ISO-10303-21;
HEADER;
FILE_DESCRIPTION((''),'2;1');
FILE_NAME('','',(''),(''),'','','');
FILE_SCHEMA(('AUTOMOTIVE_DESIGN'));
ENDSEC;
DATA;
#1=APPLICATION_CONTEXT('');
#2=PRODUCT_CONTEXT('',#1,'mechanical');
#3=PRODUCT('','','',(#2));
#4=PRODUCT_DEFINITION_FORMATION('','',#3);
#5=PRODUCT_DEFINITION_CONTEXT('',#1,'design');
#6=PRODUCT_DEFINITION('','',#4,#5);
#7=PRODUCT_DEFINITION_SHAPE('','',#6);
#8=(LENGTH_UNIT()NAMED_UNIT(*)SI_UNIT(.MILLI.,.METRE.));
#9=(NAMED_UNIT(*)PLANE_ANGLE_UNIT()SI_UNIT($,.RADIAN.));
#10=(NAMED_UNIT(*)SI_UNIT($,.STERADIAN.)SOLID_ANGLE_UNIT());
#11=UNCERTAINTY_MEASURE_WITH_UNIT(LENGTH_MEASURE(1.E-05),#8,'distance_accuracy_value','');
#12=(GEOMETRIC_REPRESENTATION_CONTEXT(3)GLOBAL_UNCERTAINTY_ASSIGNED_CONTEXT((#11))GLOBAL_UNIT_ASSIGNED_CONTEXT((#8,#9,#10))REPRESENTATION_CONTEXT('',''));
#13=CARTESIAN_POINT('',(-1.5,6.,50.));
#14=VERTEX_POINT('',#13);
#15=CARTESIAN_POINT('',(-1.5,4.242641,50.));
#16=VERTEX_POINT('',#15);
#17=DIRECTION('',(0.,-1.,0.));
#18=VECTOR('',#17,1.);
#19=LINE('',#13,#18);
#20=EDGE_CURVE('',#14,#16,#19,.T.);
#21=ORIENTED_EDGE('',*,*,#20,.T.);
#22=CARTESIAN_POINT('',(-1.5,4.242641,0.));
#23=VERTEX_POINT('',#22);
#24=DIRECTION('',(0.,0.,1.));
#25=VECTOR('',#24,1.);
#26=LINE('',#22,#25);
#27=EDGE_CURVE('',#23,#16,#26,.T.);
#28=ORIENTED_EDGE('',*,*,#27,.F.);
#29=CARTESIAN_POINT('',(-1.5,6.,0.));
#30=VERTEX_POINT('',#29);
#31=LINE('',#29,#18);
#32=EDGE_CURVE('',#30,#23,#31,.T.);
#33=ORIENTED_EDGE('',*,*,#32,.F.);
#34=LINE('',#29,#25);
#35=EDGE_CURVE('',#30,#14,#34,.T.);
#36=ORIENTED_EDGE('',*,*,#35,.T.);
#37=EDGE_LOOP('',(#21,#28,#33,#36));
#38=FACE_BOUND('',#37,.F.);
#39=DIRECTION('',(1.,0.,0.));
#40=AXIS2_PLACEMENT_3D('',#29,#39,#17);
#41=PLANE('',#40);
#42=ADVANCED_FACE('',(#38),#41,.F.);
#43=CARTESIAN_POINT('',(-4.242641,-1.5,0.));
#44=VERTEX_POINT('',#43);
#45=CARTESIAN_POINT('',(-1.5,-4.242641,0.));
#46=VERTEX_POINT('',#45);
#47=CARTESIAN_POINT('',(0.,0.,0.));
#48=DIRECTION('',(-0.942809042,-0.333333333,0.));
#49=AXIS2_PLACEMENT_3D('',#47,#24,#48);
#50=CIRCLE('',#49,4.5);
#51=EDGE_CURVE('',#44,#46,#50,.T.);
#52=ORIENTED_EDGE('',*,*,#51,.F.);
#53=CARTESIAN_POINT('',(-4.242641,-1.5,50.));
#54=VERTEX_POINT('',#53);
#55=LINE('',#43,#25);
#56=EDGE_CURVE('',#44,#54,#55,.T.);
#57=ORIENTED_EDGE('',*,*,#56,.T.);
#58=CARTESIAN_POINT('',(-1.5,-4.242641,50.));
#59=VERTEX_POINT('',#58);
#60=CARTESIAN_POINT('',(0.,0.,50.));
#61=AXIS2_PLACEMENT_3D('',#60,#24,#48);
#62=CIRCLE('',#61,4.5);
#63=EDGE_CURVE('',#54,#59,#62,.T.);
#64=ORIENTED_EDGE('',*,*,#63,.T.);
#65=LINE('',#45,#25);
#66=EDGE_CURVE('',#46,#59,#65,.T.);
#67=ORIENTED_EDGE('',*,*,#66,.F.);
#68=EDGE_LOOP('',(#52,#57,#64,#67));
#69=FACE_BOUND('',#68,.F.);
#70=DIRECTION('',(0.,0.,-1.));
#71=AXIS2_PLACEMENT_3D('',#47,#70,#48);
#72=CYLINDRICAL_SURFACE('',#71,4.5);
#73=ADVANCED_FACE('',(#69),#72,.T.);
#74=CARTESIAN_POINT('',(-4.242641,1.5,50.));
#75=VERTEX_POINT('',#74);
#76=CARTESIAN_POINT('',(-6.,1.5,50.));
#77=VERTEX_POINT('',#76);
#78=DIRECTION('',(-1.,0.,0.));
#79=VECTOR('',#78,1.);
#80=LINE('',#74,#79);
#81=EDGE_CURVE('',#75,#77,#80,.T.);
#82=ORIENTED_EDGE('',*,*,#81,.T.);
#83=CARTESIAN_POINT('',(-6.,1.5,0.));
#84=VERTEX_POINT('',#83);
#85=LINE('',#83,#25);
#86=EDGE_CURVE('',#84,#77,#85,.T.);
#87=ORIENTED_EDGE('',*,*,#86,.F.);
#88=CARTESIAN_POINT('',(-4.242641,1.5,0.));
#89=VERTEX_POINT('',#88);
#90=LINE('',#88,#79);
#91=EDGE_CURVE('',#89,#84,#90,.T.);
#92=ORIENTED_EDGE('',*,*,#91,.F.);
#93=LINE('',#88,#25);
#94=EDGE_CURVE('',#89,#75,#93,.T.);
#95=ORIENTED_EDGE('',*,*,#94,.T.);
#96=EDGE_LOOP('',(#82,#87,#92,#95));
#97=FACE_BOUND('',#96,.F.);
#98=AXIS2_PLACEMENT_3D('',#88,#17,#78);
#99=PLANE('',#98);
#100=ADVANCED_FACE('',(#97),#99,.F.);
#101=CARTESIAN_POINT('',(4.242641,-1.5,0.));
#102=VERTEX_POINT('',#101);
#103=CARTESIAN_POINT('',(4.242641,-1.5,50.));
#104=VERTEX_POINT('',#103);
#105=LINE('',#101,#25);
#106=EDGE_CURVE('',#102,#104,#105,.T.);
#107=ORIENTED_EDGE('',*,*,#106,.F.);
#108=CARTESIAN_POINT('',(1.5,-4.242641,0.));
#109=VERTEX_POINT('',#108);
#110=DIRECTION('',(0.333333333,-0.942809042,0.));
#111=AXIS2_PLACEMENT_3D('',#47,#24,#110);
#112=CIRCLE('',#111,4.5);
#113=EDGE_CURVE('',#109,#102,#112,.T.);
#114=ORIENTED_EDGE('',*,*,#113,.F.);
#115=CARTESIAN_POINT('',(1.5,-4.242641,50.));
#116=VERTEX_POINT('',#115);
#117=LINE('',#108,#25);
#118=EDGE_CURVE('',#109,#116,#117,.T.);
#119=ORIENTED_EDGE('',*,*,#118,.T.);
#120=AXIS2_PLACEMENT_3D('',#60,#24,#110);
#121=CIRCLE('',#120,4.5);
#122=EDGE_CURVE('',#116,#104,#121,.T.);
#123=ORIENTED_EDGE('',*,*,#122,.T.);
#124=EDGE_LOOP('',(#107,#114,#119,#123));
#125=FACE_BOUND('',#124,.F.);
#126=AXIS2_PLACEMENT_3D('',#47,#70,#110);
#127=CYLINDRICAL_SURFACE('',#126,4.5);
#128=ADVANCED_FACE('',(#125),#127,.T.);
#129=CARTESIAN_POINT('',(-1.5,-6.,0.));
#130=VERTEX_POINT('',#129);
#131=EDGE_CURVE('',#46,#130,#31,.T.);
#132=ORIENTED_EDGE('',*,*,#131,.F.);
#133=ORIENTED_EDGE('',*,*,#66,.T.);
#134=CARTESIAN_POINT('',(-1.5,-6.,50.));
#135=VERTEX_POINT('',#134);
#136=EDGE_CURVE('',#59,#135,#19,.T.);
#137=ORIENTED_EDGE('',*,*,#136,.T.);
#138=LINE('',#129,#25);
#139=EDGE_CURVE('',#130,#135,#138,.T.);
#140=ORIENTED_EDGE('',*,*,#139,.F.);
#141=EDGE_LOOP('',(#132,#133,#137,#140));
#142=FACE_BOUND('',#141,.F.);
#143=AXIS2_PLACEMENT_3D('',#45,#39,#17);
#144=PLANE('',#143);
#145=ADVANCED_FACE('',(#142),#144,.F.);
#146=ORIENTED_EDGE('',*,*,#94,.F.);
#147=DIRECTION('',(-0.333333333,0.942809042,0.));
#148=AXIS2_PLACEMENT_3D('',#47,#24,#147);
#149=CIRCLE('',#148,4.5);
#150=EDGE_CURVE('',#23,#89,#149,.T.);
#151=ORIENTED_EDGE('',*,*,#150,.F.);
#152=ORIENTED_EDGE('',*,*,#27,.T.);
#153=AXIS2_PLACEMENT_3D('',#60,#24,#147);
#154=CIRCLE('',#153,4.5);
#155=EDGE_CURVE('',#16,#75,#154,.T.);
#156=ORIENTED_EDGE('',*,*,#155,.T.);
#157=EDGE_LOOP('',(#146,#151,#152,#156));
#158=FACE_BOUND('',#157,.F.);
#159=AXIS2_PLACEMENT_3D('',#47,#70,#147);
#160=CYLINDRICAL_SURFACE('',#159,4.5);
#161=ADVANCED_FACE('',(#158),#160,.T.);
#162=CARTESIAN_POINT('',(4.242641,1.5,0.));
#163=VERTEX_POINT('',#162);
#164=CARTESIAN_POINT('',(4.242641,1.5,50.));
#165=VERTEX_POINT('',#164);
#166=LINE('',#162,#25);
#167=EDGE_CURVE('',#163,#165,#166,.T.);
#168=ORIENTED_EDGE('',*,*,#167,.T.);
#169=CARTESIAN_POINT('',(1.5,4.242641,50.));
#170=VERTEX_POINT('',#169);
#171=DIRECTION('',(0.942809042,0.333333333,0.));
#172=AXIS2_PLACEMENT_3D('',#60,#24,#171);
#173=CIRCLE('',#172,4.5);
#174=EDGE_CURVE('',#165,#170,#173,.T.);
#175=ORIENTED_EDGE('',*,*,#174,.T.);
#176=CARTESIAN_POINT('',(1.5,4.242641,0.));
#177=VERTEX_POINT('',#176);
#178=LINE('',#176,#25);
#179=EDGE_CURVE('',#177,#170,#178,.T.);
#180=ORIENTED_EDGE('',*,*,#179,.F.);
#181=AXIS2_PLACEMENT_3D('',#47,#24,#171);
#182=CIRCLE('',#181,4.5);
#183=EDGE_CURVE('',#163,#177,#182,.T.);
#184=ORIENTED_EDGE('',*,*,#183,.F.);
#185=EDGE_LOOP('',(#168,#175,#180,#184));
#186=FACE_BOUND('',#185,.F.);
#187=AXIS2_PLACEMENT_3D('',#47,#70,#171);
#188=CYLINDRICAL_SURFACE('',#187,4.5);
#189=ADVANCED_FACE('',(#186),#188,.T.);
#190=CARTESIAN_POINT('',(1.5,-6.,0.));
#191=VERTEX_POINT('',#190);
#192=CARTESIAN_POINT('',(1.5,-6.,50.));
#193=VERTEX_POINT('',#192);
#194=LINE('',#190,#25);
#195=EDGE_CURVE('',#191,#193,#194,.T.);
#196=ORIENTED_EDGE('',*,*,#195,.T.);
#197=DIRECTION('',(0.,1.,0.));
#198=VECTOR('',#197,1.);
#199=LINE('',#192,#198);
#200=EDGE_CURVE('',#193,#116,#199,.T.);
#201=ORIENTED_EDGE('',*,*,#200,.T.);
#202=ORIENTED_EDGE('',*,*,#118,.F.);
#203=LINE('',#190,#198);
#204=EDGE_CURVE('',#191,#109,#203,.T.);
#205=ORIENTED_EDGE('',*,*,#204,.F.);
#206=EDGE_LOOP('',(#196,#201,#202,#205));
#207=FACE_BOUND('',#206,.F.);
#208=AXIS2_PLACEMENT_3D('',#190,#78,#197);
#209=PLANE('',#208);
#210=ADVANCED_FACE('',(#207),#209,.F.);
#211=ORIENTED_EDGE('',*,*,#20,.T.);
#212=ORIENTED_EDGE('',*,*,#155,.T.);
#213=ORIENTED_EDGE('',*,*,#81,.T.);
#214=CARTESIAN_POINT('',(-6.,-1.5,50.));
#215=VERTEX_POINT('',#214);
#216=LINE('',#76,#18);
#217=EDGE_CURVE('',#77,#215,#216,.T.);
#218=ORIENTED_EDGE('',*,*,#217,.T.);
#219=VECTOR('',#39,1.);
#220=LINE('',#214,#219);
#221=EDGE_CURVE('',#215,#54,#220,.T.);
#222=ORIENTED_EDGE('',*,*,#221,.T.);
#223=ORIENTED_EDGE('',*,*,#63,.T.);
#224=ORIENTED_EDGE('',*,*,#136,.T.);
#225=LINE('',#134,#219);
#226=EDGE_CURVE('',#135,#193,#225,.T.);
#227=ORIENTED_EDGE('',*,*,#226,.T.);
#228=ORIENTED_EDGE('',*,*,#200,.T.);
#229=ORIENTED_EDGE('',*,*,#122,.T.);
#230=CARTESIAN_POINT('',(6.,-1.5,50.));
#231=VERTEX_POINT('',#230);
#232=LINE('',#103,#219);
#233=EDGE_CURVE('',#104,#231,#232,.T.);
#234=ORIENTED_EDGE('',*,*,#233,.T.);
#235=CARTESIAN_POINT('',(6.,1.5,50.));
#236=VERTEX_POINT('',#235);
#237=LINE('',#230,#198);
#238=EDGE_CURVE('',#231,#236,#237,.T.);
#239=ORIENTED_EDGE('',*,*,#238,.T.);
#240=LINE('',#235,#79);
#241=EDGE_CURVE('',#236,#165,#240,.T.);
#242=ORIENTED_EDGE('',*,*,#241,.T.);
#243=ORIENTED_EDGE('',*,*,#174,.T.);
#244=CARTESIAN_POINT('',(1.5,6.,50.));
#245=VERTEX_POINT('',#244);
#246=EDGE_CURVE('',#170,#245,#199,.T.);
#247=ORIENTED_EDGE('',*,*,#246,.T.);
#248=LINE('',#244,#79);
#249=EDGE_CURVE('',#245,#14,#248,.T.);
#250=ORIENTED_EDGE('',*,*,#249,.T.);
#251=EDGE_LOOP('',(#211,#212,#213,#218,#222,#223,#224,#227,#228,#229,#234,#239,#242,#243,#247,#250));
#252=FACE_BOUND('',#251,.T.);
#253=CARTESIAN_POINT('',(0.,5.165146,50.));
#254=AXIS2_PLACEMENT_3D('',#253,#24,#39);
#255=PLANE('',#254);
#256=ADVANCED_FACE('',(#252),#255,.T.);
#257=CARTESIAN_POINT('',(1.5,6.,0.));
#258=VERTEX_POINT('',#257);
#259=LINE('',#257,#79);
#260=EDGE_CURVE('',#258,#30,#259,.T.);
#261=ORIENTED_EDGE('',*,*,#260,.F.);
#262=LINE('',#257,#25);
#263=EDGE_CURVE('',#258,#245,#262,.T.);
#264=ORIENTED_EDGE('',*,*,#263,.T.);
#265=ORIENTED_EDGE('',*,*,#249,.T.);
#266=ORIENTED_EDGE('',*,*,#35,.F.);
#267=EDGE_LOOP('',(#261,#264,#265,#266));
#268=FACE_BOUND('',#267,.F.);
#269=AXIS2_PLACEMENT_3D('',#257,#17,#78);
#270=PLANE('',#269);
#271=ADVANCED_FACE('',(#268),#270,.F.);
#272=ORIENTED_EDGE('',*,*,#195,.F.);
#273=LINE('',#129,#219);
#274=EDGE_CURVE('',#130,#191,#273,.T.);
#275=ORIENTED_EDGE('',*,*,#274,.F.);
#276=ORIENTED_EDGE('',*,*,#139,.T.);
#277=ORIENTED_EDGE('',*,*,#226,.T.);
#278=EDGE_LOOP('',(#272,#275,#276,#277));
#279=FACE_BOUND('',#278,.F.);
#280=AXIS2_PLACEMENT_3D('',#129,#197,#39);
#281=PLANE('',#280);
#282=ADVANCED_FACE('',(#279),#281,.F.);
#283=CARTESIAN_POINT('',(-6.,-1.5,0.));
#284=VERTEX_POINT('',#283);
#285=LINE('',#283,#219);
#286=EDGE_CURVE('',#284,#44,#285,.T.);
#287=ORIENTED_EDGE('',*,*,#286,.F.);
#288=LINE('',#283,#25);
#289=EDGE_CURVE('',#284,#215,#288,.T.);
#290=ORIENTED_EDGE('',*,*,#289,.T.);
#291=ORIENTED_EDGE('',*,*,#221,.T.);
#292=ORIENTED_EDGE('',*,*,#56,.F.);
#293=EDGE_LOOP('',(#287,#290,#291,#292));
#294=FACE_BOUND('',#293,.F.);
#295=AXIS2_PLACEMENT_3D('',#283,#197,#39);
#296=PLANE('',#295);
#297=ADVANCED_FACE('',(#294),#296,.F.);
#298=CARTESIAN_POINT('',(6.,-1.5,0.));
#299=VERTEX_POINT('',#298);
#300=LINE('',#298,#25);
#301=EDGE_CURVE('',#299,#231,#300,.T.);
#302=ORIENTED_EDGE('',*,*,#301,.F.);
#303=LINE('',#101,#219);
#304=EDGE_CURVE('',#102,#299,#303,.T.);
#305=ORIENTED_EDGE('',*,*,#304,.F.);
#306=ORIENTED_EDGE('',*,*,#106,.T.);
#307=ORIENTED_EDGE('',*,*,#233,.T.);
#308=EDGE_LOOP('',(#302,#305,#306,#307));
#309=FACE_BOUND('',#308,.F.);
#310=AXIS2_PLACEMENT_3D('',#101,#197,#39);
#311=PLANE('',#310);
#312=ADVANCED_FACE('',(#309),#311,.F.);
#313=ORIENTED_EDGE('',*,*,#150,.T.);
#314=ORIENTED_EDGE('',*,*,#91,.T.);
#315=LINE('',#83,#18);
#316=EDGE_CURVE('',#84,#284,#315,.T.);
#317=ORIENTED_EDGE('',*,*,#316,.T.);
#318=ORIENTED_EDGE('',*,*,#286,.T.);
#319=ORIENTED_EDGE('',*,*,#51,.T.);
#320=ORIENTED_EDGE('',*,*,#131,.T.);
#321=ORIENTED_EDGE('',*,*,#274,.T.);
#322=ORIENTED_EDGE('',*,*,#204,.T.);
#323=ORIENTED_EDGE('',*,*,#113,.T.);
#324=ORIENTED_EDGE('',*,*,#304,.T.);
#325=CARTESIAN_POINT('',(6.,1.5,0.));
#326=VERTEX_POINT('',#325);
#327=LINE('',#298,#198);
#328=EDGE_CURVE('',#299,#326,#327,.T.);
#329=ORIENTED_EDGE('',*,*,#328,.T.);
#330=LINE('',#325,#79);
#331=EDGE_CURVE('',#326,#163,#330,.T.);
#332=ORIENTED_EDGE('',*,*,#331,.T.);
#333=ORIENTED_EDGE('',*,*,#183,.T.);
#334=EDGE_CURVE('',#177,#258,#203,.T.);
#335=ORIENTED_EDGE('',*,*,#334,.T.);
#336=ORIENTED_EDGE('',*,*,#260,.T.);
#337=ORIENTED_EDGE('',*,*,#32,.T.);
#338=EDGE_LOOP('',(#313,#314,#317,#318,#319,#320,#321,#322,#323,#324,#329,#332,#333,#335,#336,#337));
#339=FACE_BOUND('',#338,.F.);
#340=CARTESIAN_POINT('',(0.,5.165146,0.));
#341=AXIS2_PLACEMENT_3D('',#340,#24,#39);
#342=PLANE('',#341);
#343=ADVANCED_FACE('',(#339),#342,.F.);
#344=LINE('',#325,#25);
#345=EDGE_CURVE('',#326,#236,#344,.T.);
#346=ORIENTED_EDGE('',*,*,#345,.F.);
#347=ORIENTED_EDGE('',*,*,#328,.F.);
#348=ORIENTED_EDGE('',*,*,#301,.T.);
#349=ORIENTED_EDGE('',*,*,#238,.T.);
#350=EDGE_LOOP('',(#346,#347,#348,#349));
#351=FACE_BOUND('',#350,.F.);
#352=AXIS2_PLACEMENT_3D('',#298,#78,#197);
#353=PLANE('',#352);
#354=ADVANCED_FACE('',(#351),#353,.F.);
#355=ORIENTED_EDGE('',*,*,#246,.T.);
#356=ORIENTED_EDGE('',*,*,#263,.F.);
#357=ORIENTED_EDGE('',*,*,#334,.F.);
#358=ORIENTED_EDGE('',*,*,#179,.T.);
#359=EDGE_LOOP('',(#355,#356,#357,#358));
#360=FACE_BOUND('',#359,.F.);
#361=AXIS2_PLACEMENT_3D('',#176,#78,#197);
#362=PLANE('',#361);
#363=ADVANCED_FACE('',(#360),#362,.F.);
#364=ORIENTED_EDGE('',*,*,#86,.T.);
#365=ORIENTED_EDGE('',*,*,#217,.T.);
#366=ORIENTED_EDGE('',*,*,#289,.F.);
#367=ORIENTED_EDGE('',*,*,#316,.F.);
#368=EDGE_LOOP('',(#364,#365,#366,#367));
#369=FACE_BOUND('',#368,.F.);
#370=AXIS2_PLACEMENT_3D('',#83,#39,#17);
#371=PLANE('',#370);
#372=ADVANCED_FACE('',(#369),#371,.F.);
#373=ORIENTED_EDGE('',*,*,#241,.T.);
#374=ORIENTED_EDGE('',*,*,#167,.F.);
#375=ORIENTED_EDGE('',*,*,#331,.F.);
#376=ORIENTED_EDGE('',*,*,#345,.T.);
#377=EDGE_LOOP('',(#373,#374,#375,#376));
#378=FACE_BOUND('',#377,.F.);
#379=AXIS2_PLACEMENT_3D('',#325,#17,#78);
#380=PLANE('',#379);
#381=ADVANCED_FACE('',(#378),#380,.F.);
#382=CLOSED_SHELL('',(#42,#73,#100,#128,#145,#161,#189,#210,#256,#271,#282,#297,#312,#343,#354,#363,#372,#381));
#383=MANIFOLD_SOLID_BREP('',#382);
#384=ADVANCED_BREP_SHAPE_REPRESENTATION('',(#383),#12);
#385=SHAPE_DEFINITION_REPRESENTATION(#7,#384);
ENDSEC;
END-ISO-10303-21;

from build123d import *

# Parameters (mm, degrees)
F0_W     = 3
F0_H     = 3
F1_DEPTH = 50


with BuildPart() as f1:
    # F0 (on Top) → F1 (new body)
    with BuildSketch(Plane.XY):
        with BuildLine():
            ThreePointArc((-1.5, 4.2426406871), (0, 4.5), (1.5, 4.2426406871))
            Line((1.5, 4.2426406871), (1.5, 6))
            Line((1.5, 6), (-1.5, 6))
            Line((-1.5, 6), (-1.5, 4.2426406871))
        make_face()
        with BuildLine():
            Line((1.5, -6), (1.5, -4.2426406871))
            ThreePointArc((1.5, -4.2426406871), (0, -4.5), (-1.5, -4.2426406871))
            Line((-1.5, -4.2426406871), (-1.5, -6))
            Line((-1.5, -6), (1.5, -6))
        make_face()
        Rectangle(F0_W, F0_H)
        with BuildLine():
            ThreePointArc((-1.5, -4.2426406871), (0, -4.5), (1.5, -4.2426406871))
            Line((1.5, -4.2426406871), (1.5, -1.5))
            Line((1.5, -1.5), (-1.5, -1.5))
            Line((-1.5, -1.5), (-1.5, -4.2426406871))
        make_face()
        with BuildLine():
            Line((1.5, 1.5), (1.5, 4.2426406871))
            ThreePointArc((1.5, 4.2426406871), (0, 4.5), (-1.5, 4.2426406871))
            Line((-1.5, 4.2426406871), (-1.5, 1.5))
            Line((-1.5, 1.5), (1.5, 1.5))
        make_face()
        with BuildLine():
            Line((1.5, 1.5), (4.2426406871, 1.5))
            ThreePointArc((4.2426406871, 1.5), (3.1819805153, 3.1819805153), (1.5, 4.2426406871))
            Line((1.5, 4.2426406871), (1.5, 1.5))
        make_face()
        with BuildLine():
            ThreePointArc((4.2426406871, -1.5), (4.4351935184, -0.7609589043), (4.5, 0))
            ThreePointArc((4.5, 0), (4.4351935184, 0.7609589043), (4.2426406871, 1.5))
            Line((4.2426406871, 1.5), (1.5, 1.5))
            Line((1.5, 1.5), (1.5, -1.5))
            Line((1.5, -1.5), (4.2426406871, -1.5))
        make_face()
        with BuildLine():
            ThreePointArc((1.5, -4.2426406871), (3.1819805153, -3.1819805153), (4.2426406871, -1.5))
            Line((4.2426406871, -1.5), (1.5, -1.5))
            Line((1.5, -1.5), (1.5, -4.2426406871))
        make_face()
        with BuildLine():
            ThreePointArc((-4.2426406871, -1.5), (-3.1819805153, -3.1819805153), (-1.5, -4.2426406871))
            Line((-1.5, -4.2426406871), (-1.5, -1.5))
            Line((-1.5, -1.5), (-4.2426406871, -1.5))
        make_face()
        with BuildLine():
            Line((-1.5, -1.5), (-1.5, 1.5))
            Line((-1.5, 1.5), (-4.2426406871, 1.5))
            ThreePointArc((-4.2426406871, 1.5), (-4.5, 0), (-4.2426406871, -1.5))
            Line((-4.2426406871, -1.5), (-1.5, -1.5))
        make_face()
        with BuildLine():
            Line((-1.5, 1.5), (-1.5, 4.2426406871))
            ThreePointArc((-1.5, 4.2426406871), (-3.1819805153, 3.1819805153), (-4.2426406871, 1.5))
            Line((-4.2426406871, 1.5), (-1.5, 1.5))
        make_face()
        with BuildLine():
            ThreePointArc((-4.2426406871, -1.5), (-4.5, 0), (-4.2426406871, 1.5))
            Line((-4.2426406871, 1.5), (-6, 1.5))
            Line((-6, 1.5), (-6, -1.5))
            Line((-6, -1.5), (-4.2426406871, -1.5))
        make_face()
        with BuildLine():
            ThreePointArc((4.2426406871, 1.5), (4.4351935184, 0.7609589043), (4.5, 0))
            ThreePointArc((4.5, 0), (4.4351935184, -0.7609589043), (4.2426406871, -1.5))
            Line((4.2426406871, -1.5), (6, -1.5))
            Line((6, -1.5), (6, 1.5))
            Line((6, 1.5), (4.2426406871, 1.5))
        make_face()
    extrude(amount=F1_DEPTH)


solid = f1.part
